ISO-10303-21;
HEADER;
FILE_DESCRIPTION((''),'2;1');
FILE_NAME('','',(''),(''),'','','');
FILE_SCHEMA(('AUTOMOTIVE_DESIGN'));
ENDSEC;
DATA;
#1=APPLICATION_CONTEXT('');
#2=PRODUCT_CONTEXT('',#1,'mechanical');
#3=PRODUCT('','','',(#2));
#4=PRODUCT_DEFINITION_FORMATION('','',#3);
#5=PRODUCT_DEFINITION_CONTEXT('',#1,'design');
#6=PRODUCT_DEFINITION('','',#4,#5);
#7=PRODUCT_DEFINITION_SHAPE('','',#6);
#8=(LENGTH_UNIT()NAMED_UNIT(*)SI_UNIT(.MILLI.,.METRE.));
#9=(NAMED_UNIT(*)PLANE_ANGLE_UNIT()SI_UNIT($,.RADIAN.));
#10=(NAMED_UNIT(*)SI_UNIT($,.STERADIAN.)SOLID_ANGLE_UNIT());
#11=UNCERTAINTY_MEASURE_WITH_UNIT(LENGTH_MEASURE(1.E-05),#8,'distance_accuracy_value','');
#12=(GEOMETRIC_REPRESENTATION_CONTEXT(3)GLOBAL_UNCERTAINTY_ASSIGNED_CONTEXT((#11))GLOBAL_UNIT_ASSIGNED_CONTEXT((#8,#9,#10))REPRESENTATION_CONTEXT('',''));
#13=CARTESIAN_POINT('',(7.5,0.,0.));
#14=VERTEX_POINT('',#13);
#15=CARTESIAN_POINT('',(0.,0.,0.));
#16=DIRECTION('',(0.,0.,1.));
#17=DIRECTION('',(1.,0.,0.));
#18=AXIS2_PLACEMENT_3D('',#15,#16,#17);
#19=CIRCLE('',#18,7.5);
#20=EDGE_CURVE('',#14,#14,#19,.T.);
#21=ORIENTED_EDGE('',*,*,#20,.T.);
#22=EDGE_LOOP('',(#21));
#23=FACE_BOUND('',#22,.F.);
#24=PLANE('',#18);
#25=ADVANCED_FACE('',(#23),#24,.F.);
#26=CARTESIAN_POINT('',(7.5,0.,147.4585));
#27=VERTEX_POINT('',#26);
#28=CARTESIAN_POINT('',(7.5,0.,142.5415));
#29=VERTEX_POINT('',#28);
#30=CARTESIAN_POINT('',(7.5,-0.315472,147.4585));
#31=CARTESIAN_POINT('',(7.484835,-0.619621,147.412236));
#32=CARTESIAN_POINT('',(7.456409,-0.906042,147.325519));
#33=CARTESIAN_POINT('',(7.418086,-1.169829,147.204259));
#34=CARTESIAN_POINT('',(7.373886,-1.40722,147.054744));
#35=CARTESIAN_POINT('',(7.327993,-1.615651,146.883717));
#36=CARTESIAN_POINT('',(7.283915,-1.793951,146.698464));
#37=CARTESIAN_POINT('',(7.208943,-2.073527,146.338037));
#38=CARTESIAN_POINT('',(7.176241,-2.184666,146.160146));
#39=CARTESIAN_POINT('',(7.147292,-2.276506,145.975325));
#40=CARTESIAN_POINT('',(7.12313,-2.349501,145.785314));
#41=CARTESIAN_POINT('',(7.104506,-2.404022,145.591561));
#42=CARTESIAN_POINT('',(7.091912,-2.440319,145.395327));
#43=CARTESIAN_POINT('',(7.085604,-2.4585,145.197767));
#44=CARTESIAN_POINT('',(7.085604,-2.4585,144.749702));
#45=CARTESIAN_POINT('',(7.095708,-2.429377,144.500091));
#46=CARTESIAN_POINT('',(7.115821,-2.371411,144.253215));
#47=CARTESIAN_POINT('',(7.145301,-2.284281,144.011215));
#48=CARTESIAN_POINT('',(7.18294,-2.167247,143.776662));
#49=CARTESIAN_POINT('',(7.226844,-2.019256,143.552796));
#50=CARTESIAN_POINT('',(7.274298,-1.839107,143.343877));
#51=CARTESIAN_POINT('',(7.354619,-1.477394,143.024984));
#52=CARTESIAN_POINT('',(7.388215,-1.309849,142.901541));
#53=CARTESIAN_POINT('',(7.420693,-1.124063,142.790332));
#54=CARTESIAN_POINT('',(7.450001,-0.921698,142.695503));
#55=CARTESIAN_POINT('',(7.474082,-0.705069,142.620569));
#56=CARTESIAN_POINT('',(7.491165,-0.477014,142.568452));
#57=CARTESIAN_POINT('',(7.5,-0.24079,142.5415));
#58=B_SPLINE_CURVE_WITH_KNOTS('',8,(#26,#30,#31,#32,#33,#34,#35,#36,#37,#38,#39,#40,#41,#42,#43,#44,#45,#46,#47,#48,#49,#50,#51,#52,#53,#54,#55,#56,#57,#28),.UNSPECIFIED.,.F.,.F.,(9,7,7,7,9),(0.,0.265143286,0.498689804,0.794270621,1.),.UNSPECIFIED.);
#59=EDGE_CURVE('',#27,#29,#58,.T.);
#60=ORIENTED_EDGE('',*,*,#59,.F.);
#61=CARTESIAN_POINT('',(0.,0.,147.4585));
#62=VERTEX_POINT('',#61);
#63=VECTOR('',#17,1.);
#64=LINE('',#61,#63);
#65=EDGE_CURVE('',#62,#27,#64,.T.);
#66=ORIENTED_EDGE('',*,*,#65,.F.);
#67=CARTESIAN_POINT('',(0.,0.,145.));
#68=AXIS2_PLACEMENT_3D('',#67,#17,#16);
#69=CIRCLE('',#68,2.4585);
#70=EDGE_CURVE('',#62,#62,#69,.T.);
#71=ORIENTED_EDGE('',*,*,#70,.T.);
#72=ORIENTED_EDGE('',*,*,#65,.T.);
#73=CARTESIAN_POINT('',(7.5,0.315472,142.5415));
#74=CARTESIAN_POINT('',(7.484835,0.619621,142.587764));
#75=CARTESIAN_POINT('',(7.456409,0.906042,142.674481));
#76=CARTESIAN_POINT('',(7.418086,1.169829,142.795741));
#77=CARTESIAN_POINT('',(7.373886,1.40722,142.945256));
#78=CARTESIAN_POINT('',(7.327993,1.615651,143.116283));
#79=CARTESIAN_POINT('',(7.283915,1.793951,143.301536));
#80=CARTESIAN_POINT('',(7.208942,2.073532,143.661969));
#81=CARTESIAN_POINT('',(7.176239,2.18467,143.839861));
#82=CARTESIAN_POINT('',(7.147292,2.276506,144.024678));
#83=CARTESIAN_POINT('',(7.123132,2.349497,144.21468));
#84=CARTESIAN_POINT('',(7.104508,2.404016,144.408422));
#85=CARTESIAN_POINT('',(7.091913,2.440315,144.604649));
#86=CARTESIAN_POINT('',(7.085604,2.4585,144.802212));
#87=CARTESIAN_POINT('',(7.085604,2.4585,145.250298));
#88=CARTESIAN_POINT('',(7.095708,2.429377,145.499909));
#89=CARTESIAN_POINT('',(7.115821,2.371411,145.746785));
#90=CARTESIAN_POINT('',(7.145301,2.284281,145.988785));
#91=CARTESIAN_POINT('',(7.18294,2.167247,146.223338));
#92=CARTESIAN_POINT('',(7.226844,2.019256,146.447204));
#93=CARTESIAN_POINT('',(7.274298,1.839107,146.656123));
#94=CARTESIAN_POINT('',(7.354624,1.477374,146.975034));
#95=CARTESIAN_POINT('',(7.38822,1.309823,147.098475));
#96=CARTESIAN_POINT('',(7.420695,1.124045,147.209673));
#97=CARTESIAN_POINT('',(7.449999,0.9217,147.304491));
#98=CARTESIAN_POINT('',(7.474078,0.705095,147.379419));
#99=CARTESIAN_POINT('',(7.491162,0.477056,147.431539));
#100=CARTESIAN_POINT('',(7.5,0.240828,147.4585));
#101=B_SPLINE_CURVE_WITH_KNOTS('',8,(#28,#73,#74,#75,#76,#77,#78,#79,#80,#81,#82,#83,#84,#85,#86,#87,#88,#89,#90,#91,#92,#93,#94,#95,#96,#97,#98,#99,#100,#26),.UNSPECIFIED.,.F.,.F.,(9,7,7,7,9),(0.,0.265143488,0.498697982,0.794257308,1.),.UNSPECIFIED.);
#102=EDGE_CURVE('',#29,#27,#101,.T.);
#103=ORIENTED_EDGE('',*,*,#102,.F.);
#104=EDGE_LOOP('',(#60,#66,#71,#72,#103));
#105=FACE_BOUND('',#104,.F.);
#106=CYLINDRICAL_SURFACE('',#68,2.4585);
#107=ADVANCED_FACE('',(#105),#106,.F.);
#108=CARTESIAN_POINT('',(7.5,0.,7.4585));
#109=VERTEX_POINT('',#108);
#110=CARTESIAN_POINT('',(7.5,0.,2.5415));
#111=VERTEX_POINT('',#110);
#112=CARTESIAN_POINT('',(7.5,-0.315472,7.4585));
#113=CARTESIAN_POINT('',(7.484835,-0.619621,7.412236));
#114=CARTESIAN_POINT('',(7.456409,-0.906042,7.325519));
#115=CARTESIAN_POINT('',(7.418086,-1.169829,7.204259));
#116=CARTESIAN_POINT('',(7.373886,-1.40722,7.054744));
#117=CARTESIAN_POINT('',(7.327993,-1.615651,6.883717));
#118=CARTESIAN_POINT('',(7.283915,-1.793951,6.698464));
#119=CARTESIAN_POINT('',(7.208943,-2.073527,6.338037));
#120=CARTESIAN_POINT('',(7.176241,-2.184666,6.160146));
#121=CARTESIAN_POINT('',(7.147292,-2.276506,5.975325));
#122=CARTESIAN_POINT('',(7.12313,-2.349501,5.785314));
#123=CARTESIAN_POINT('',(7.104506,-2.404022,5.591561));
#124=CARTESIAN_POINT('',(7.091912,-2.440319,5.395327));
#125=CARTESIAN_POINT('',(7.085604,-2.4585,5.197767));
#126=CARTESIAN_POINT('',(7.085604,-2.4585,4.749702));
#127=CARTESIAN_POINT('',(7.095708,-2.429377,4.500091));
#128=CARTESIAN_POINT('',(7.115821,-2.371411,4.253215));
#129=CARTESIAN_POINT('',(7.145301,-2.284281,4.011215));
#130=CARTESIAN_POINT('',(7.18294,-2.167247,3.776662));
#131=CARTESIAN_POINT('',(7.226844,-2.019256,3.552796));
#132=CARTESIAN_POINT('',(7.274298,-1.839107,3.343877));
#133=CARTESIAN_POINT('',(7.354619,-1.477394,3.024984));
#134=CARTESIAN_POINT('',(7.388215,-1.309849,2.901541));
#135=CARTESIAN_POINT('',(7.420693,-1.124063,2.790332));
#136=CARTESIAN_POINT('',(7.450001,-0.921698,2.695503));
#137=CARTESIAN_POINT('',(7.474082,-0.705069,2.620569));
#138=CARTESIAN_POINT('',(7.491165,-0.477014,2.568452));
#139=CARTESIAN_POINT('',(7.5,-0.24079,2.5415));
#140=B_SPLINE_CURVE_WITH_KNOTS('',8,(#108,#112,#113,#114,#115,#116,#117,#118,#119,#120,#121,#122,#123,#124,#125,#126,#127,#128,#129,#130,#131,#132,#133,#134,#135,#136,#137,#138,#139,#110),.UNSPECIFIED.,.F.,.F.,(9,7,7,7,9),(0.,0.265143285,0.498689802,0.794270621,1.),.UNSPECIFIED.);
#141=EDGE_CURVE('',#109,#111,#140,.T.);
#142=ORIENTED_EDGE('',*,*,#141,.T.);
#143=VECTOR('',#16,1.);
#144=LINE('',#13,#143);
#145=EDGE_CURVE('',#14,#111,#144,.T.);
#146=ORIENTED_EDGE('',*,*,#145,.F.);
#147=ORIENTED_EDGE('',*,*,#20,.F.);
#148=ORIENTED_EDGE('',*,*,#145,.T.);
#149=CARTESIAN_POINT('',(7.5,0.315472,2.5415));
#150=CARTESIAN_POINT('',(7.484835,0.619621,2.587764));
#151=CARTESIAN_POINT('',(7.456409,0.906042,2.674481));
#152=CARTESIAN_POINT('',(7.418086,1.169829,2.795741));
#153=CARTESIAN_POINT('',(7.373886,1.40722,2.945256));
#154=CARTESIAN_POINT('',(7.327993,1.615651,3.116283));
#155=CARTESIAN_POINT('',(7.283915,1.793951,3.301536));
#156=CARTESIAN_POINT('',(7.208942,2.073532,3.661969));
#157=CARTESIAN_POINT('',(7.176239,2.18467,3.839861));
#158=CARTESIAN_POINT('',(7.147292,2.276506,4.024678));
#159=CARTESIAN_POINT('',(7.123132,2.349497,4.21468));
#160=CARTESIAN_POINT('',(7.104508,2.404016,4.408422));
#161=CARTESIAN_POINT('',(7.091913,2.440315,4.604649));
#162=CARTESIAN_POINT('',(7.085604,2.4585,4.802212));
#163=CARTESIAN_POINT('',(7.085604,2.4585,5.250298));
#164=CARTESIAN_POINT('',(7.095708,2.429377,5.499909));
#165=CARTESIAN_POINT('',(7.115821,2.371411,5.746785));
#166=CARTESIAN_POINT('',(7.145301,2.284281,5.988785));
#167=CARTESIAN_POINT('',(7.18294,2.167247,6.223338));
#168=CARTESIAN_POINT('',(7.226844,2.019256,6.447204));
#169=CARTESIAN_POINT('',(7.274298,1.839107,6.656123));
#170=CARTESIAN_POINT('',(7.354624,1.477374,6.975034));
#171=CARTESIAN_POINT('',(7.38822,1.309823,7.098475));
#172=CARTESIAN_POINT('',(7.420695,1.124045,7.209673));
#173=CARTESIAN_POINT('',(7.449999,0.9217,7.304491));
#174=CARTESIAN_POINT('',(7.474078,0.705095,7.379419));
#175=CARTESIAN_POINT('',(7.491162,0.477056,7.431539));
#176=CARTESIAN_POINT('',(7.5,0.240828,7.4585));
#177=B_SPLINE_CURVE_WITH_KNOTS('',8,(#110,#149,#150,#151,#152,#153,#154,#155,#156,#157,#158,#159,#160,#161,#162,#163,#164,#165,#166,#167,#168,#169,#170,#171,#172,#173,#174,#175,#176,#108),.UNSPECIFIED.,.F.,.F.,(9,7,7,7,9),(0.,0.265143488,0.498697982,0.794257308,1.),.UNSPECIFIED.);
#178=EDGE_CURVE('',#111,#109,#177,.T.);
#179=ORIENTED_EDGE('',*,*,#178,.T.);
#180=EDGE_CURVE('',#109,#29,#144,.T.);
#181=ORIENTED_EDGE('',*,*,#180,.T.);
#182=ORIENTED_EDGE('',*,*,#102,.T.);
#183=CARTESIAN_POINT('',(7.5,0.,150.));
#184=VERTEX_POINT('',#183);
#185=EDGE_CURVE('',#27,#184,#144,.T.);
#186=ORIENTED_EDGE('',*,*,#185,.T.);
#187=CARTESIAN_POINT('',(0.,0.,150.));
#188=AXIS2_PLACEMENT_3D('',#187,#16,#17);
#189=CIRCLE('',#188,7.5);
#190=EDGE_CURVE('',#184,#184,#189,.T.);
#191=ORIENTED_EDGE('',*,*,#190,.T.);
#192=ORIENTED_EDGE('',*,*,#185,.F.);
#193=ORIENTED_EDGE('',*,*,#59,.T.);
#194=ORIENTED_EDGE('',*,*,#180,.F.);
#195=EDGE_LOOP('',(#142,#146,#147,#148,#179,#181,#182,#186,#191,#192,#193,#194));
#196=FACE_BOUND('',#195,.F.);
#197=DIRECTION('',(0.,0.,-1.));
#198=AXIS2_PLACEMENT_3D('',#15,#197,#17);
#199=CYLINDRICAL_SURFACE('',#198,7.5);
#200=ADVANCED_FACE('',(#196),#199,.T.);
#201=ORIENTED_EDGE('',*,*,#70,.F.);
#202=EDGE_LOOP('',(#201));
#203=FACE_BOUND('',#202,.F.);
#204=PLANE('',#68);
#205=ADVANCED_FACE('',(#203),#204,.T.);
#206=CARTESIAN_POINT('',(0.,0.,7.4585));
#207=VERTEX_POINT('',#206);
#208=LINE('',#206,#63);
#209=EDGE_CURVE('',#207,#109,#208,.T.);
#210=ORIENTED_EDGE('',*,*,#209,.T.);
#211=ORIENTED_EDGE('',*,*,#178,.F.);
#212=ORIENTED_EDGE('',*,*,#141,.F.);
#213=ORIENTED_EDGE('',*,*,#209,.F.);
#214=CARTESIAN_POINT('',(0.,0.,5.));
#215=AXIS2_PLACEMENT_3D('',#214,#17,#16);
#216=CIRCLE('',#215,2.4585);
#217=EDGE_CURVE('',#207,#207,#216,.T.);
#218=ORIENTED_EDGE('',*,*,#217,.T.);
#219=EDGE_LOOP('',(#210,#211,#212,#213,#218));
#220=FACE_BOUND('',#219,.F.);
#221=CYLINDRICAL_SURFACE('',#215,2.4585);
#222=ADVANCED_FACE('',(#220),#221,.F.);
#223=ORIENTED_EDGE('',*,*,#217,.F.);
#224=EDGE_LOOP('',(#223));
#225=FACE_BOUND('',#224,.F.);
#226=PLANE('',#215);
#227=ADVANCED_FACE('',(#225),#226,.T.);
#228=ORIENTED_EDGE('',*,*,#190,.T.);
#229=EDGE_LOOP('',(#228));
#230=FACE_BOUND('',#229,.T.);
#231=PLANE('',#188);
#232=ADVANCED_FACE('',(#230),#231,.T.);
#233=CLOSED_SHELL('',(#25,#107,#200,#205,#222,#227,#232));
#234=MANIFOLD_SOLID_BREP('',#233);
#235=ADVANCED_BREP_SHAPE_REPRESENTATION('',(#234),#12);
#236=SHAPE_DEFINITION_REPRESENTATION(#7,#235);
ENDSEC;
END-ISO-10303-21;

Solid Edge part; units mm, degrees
sketch "Sketch1" plane through (0, 0, 0) normal (0, 0, 1) x (1, 0, 0)
  circle A0 centre (0, 0) radius 7.5
extrude "Protrusion1" add sketch "Sketch1" along normal blind 150
hole "Hole_4" at (0, 0, 145) direction (1, 0, 0) diameter 4.917 depth 7.5
hole "Hole1" at (0, 0, 5) direction (1, 0, 0) diameter 4.917 depth 7.5
